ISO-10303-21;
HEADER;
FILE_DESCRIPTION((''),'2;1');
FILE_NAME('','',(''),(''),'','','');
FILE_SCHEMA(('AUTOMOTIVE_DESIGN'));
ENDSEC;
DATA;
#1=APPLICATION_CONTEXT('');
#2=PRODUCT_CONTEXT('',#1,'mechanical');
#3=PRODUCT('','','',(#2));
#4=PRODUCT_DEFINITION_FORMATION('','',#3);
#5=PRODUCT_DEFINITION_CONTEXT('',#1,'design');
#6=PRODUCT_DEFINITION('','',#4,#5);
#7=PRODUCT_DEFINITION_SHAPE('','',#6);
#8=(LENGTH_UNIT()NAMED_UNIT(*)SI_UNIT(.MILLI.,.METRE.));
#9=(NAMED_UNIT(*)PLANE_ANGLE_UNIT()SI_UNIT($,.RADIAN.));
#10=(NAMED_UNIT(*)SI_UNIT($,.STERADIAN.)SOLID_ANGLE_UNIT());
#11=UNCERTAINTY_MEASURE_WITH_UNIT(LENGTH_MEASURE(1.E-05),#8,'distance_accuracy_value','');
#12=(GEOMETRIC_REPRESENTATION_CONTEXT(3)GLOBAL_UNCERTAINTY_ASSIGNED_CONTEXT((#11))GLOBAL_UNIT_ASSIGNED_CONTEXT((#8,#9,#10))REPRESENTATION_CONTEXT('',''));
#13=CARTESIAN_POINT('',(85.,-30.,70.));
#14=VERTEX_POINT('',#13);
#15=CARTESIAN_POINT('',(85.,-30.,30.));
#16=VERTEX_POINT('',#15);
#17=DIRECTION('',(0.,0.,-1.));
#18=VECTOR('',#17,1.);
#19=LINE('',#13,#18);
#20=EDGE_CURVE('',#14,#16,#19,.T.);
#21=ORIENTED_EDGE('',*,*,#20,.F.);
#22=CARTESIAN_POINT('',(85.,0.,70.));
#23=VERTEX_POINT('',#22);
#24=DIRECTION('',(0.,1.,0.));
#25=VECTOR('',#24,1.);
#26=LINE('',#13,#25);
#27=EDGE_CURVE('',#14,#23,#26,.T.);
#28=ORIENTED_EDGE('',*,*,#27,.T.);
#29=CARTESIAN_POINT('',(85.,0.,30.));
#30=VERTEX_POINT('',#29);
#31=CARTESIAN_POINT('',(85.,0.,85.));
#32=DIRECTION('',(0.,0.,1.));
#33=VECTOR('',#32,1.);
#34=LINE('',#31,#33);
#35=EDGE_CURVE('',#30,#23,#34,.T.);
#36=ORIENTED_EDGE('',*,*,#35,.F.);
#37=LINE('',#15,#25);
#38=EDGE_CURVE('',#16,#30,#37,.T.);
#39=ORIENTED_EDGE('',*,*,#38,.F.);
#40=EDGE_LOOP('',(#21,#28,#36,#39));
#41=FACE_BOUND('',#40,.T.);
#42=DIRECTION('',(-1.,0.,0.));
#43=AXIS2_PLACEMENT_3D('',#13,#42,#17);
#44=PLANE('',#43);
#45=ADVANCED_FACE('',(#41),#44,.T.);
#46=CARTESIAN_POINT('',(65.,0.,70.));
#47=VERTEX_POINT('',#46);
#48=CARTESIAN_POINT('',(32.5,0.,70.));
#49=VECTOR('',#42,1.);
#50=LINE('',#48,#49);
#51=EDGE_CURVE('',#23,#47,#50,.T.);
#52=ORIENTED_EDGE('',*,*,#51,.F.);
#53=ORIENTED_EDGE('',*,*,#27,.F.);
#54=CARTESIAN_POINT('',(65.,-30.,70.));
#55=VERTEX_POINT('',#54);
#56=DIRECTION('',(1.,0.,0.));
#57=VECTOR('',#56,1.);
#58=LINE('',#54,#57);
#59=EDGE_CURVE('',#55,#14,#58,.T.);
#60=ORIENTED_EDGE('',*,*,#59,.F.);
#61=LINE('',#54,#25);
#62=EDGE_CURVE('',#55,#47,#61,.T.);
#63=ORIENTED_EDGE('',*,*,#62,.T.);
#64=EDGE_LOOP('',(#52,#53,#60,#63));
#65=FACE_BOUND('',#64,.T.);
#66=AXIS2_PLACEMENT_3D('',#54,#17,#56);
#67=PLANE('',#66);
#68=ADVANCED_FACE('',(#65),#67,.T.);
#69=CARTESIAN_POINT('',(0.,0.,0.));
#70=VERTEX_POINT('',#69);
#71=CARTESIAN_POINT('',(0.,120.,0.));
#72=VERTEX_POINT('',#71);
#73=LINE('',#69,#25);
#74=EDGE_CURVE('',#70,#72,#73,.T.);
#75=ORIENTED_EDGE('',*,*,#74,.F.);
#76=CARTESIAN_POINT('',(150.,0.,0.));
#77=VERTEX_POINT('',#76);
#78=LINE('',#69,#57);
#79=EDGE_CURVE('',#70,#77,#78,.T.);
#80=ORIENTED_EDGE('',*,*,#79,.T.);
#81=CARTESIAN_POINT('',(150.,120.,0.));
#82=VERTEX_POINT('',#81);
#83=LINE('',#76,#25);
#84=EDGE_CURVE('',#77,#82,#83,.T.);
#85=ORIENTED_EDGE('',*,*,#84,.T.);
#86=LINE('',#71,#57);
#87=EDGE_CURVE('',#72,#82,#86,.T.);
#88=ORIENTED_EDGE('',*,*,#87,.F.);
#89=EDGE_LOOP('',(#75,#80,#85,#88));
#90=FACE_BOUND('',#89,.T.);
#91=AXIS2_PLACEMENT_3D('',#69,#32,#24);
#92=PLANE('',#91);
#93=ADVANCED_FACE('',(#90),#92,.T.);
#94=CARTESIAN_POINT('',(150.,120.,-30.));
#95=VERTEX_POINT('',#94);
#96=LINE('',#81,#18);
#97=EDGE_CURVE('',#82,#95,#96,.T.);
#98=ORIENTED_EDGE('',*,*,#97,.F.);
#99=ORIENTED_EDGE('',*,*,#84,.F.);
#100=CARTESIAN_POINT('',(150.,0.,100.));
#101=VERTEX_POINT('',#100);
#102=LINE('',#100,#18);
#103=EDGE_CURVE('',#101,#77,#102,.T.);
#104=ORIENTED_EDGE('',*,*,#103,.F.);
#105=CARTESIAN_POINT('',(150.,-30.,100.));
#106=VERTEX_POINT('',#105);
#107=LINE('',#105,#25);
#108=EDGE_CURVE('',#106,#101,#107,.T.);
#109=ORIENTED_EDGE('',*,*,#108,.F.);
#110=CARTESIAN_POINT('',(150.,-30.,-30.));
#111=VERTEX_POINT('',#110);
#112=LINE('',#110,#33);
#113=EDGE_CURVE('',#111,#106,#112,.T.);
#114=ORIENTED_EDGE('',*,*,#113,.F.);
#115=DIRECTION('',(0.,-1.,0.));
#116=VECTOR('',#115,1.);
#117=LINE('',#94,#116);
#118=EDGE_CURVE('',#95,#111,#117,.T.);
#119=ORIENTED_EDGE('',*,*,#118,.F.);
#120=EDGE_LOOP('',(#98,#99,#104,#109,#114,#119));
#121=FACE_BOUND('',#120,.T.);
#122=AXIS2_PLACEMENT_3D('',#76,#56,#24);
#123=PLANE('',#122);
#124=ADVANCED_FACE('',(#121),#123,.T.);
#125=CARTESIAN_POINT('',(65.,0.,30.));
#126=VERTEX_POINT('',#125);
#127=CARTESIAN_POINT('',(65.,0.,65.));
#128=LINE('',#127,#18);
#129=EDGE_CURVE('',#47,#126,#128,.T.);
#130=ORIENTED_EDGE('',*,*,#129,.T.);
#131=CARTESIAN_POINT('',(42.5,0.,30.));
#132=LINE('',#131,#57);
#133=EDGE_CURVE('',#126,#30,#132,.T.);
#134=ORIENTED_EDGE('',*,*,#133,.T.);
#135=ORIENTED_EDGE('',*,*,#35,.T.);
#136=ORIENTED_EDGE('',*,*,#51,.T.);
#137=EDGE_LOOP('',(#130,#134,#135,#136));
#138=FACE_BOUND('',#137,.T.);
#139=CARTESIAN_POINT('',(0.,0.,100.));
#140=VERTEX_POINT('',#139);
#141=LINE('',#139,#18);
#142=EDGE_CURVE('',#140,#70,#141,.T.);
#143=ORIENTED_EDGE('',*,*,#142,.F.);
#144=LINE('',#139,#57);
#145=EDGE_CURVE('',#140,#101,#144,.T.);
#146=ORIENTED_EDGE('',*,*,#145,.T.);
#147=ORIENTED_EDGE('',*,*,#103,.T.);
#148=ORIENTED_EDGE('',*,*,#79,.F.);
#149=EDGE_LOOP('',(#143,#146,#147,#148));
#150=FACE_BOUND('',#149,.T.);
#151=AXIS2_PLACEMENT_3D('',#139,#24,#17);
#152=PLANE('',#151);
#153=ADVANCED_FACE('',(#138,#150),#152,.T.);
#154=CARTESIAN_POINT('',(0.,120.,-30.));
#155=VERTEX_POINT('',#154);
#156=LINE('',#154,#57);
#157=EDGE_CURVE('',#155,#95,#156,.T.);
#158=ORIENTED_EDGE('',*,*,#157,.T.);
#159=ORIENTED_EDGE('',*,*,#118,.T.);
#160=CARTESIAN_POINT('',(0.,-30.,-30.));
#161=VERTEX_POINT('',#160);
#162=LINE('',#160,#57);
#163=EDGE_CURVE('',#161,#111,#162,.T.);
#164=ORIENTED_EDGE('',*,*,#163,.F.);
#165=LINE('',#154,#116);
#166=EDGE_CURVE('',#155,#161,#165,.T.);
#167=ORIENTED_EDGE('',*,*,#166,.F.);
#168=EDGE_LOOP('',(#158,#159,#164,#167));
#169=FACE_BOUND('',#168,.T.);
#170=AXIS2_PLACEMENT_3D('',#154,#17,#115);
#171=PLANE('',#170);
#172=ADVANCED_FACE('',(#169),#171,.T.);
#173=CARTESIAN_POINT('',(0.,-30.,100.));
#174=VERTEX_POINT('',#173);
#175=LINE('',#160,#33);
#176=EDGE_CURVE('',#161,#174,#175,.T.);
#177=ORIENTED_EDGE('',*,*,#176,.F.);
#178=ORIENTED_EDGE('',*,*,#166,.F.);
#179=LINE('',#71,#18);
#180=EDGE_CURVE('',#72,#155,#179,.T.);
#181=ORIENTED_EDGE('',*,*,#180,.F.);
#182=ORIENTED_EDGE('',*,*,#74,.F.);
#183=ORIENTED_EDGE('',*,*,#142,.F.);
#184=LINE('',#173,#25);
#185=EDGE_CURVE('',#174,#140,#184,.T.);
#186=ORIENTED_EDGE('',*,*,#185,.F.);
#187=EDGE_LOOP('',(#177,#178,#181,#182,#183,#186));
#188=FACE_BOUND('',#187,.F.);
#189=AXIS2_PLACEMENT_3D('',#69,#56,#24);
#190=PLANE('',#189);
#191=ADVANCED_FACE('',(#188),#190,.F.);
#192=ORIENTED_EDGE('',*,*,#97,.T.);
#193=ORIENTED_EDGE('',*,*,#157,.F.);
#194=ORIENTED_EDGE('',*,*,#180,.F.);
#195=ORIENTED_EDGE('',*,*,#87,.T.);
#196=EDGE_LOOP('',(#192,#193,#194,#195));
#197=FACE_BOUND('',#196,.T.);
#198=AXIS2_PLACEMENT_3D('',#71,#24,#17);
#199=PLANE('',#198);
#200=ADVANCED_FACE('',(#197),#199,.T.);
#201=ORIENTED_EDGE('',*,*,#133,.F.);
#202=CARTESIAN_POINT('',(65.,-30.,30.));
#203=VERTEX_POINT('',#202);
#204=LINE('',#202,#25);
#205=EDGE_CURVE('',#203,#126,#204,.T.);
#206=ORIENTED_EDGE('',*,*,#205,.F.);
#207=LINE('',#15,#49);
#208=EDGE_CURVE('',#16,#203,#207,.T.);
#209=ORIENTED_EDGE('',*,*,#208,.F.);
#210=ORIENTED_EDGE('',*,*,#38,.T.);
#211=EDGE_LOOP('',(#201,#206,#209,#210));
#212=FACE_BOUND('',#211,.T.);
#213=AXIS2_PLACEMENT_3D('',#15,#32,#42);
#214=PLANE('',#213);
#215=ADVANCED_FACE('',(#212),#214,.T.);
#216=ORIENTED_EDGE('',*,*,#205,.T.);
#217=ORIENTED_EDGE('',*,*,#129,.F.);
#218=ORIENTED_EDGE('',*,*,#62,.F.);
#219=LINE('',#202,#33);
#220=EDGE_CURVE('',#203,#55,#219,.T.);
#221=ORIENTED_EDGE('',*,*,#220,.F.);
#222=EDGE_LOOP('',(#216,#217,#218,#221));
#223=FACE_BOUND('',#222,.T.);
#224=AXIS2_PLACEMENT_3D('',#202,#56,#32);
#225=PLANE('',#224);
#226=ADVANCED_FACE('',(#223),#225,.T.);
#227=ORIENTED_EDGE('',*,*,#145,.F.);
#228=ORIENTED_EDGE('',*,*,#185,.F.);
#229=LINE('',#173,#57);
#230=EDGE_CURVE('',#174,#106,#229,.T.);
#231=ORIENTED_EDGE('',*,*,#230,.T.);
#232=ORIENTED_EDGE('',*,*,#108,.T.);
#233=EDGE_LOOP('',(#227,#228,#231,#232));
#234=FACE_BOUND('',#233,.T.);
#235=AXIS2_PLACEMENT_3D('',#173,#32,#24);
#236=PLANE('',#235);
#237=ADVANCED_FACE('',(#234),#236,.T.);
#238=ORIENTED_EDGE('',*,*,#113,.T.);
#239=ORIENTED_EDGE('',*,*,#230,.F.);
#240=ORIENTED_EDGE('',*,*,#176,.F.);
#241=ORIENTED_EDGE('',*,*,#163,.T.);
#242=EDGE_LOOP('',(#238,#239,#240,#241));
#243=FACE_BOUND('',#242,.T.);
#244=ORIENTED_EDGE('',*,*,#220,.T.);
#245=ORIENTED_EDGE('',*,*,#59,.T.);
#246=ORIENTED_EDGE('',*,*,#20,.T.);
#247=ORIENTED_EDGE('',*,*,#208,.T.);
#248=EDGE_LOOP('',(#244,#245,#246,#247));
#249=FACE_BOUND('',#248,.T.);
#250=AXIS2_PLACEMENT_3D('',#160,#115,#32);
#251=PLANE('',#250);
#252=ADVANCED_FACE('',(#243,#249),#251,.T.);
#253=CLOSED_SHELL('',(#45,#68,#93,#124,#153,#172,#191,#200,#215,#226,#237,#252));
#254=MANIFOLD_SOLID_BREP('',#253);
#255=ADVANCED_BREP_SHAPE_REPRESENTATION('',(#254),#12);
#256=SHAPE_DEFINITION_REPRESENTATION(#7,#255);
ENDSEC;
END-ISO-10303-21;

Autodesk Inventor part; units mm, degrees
ref_plane "YZ Plane" through (0, 0, 0) normal (1, 0, 0) x (0, 1, 0)
ref_plane "XZ Plane" through (0, 0, 0) normal (0, 1, 0) x (-1, 0, 0)
ref_plane "XY Plane" through (0, 0, 0) normal (0, 0, 1) x (1, 0, 0)
sketch "Skizze2" plane through (0, 0, 0) normal (1, 0, 0) x (0, 1, 0)
  line L0 (0, 0) -> (120, 0)
  line L1 (120, 0) -> (120, -30)
  line L2 (120, -30) -> (-30, -30)
  line L3 (-30, -30) -> (-30, 100)
  line L4 (-30, 100) -> (0, 100)
  line L5 (0, 100) -> (0, 0)
  dimension "d0" = 30
  dimension "d1" = 30
  dimension "d2" = 130
  dimension "d3" = 150
extrude "Extrusion1" add sketch "Skizze2" along normal blind 150
sketch "Skizze3" plane through (0, -30, -30) normal (0, -1, 0) x (1, 0, 0)
  line L0 (65, 100) -> (85, 100)
  line L1 (85, 100) -> (85, 60)
  line L2 (85, 60) -> (65, 60)
  line L3 (65, 60) -> (65, 100)
  line L4 (150, 130) -> (150, 0) projected
  line L5 (0, 130) -> (0, 0) projected
  line L6 (0, 130) -> (150, 130) projected
  point P0 (0, 30)
  dimension "d6" = 150
  dimension "d7" = 20
  dimension "d8" = 40
  dimension "d9" = 65
  dimension "d10" = 30
extrude "Extrusion2" cut sketch "Skizze3" against normal through all
equation "\"d1\" = d0"
equation "\"d9\" = -0.5 * d7 + 0.5 * d6"
properties part number "Staender"
